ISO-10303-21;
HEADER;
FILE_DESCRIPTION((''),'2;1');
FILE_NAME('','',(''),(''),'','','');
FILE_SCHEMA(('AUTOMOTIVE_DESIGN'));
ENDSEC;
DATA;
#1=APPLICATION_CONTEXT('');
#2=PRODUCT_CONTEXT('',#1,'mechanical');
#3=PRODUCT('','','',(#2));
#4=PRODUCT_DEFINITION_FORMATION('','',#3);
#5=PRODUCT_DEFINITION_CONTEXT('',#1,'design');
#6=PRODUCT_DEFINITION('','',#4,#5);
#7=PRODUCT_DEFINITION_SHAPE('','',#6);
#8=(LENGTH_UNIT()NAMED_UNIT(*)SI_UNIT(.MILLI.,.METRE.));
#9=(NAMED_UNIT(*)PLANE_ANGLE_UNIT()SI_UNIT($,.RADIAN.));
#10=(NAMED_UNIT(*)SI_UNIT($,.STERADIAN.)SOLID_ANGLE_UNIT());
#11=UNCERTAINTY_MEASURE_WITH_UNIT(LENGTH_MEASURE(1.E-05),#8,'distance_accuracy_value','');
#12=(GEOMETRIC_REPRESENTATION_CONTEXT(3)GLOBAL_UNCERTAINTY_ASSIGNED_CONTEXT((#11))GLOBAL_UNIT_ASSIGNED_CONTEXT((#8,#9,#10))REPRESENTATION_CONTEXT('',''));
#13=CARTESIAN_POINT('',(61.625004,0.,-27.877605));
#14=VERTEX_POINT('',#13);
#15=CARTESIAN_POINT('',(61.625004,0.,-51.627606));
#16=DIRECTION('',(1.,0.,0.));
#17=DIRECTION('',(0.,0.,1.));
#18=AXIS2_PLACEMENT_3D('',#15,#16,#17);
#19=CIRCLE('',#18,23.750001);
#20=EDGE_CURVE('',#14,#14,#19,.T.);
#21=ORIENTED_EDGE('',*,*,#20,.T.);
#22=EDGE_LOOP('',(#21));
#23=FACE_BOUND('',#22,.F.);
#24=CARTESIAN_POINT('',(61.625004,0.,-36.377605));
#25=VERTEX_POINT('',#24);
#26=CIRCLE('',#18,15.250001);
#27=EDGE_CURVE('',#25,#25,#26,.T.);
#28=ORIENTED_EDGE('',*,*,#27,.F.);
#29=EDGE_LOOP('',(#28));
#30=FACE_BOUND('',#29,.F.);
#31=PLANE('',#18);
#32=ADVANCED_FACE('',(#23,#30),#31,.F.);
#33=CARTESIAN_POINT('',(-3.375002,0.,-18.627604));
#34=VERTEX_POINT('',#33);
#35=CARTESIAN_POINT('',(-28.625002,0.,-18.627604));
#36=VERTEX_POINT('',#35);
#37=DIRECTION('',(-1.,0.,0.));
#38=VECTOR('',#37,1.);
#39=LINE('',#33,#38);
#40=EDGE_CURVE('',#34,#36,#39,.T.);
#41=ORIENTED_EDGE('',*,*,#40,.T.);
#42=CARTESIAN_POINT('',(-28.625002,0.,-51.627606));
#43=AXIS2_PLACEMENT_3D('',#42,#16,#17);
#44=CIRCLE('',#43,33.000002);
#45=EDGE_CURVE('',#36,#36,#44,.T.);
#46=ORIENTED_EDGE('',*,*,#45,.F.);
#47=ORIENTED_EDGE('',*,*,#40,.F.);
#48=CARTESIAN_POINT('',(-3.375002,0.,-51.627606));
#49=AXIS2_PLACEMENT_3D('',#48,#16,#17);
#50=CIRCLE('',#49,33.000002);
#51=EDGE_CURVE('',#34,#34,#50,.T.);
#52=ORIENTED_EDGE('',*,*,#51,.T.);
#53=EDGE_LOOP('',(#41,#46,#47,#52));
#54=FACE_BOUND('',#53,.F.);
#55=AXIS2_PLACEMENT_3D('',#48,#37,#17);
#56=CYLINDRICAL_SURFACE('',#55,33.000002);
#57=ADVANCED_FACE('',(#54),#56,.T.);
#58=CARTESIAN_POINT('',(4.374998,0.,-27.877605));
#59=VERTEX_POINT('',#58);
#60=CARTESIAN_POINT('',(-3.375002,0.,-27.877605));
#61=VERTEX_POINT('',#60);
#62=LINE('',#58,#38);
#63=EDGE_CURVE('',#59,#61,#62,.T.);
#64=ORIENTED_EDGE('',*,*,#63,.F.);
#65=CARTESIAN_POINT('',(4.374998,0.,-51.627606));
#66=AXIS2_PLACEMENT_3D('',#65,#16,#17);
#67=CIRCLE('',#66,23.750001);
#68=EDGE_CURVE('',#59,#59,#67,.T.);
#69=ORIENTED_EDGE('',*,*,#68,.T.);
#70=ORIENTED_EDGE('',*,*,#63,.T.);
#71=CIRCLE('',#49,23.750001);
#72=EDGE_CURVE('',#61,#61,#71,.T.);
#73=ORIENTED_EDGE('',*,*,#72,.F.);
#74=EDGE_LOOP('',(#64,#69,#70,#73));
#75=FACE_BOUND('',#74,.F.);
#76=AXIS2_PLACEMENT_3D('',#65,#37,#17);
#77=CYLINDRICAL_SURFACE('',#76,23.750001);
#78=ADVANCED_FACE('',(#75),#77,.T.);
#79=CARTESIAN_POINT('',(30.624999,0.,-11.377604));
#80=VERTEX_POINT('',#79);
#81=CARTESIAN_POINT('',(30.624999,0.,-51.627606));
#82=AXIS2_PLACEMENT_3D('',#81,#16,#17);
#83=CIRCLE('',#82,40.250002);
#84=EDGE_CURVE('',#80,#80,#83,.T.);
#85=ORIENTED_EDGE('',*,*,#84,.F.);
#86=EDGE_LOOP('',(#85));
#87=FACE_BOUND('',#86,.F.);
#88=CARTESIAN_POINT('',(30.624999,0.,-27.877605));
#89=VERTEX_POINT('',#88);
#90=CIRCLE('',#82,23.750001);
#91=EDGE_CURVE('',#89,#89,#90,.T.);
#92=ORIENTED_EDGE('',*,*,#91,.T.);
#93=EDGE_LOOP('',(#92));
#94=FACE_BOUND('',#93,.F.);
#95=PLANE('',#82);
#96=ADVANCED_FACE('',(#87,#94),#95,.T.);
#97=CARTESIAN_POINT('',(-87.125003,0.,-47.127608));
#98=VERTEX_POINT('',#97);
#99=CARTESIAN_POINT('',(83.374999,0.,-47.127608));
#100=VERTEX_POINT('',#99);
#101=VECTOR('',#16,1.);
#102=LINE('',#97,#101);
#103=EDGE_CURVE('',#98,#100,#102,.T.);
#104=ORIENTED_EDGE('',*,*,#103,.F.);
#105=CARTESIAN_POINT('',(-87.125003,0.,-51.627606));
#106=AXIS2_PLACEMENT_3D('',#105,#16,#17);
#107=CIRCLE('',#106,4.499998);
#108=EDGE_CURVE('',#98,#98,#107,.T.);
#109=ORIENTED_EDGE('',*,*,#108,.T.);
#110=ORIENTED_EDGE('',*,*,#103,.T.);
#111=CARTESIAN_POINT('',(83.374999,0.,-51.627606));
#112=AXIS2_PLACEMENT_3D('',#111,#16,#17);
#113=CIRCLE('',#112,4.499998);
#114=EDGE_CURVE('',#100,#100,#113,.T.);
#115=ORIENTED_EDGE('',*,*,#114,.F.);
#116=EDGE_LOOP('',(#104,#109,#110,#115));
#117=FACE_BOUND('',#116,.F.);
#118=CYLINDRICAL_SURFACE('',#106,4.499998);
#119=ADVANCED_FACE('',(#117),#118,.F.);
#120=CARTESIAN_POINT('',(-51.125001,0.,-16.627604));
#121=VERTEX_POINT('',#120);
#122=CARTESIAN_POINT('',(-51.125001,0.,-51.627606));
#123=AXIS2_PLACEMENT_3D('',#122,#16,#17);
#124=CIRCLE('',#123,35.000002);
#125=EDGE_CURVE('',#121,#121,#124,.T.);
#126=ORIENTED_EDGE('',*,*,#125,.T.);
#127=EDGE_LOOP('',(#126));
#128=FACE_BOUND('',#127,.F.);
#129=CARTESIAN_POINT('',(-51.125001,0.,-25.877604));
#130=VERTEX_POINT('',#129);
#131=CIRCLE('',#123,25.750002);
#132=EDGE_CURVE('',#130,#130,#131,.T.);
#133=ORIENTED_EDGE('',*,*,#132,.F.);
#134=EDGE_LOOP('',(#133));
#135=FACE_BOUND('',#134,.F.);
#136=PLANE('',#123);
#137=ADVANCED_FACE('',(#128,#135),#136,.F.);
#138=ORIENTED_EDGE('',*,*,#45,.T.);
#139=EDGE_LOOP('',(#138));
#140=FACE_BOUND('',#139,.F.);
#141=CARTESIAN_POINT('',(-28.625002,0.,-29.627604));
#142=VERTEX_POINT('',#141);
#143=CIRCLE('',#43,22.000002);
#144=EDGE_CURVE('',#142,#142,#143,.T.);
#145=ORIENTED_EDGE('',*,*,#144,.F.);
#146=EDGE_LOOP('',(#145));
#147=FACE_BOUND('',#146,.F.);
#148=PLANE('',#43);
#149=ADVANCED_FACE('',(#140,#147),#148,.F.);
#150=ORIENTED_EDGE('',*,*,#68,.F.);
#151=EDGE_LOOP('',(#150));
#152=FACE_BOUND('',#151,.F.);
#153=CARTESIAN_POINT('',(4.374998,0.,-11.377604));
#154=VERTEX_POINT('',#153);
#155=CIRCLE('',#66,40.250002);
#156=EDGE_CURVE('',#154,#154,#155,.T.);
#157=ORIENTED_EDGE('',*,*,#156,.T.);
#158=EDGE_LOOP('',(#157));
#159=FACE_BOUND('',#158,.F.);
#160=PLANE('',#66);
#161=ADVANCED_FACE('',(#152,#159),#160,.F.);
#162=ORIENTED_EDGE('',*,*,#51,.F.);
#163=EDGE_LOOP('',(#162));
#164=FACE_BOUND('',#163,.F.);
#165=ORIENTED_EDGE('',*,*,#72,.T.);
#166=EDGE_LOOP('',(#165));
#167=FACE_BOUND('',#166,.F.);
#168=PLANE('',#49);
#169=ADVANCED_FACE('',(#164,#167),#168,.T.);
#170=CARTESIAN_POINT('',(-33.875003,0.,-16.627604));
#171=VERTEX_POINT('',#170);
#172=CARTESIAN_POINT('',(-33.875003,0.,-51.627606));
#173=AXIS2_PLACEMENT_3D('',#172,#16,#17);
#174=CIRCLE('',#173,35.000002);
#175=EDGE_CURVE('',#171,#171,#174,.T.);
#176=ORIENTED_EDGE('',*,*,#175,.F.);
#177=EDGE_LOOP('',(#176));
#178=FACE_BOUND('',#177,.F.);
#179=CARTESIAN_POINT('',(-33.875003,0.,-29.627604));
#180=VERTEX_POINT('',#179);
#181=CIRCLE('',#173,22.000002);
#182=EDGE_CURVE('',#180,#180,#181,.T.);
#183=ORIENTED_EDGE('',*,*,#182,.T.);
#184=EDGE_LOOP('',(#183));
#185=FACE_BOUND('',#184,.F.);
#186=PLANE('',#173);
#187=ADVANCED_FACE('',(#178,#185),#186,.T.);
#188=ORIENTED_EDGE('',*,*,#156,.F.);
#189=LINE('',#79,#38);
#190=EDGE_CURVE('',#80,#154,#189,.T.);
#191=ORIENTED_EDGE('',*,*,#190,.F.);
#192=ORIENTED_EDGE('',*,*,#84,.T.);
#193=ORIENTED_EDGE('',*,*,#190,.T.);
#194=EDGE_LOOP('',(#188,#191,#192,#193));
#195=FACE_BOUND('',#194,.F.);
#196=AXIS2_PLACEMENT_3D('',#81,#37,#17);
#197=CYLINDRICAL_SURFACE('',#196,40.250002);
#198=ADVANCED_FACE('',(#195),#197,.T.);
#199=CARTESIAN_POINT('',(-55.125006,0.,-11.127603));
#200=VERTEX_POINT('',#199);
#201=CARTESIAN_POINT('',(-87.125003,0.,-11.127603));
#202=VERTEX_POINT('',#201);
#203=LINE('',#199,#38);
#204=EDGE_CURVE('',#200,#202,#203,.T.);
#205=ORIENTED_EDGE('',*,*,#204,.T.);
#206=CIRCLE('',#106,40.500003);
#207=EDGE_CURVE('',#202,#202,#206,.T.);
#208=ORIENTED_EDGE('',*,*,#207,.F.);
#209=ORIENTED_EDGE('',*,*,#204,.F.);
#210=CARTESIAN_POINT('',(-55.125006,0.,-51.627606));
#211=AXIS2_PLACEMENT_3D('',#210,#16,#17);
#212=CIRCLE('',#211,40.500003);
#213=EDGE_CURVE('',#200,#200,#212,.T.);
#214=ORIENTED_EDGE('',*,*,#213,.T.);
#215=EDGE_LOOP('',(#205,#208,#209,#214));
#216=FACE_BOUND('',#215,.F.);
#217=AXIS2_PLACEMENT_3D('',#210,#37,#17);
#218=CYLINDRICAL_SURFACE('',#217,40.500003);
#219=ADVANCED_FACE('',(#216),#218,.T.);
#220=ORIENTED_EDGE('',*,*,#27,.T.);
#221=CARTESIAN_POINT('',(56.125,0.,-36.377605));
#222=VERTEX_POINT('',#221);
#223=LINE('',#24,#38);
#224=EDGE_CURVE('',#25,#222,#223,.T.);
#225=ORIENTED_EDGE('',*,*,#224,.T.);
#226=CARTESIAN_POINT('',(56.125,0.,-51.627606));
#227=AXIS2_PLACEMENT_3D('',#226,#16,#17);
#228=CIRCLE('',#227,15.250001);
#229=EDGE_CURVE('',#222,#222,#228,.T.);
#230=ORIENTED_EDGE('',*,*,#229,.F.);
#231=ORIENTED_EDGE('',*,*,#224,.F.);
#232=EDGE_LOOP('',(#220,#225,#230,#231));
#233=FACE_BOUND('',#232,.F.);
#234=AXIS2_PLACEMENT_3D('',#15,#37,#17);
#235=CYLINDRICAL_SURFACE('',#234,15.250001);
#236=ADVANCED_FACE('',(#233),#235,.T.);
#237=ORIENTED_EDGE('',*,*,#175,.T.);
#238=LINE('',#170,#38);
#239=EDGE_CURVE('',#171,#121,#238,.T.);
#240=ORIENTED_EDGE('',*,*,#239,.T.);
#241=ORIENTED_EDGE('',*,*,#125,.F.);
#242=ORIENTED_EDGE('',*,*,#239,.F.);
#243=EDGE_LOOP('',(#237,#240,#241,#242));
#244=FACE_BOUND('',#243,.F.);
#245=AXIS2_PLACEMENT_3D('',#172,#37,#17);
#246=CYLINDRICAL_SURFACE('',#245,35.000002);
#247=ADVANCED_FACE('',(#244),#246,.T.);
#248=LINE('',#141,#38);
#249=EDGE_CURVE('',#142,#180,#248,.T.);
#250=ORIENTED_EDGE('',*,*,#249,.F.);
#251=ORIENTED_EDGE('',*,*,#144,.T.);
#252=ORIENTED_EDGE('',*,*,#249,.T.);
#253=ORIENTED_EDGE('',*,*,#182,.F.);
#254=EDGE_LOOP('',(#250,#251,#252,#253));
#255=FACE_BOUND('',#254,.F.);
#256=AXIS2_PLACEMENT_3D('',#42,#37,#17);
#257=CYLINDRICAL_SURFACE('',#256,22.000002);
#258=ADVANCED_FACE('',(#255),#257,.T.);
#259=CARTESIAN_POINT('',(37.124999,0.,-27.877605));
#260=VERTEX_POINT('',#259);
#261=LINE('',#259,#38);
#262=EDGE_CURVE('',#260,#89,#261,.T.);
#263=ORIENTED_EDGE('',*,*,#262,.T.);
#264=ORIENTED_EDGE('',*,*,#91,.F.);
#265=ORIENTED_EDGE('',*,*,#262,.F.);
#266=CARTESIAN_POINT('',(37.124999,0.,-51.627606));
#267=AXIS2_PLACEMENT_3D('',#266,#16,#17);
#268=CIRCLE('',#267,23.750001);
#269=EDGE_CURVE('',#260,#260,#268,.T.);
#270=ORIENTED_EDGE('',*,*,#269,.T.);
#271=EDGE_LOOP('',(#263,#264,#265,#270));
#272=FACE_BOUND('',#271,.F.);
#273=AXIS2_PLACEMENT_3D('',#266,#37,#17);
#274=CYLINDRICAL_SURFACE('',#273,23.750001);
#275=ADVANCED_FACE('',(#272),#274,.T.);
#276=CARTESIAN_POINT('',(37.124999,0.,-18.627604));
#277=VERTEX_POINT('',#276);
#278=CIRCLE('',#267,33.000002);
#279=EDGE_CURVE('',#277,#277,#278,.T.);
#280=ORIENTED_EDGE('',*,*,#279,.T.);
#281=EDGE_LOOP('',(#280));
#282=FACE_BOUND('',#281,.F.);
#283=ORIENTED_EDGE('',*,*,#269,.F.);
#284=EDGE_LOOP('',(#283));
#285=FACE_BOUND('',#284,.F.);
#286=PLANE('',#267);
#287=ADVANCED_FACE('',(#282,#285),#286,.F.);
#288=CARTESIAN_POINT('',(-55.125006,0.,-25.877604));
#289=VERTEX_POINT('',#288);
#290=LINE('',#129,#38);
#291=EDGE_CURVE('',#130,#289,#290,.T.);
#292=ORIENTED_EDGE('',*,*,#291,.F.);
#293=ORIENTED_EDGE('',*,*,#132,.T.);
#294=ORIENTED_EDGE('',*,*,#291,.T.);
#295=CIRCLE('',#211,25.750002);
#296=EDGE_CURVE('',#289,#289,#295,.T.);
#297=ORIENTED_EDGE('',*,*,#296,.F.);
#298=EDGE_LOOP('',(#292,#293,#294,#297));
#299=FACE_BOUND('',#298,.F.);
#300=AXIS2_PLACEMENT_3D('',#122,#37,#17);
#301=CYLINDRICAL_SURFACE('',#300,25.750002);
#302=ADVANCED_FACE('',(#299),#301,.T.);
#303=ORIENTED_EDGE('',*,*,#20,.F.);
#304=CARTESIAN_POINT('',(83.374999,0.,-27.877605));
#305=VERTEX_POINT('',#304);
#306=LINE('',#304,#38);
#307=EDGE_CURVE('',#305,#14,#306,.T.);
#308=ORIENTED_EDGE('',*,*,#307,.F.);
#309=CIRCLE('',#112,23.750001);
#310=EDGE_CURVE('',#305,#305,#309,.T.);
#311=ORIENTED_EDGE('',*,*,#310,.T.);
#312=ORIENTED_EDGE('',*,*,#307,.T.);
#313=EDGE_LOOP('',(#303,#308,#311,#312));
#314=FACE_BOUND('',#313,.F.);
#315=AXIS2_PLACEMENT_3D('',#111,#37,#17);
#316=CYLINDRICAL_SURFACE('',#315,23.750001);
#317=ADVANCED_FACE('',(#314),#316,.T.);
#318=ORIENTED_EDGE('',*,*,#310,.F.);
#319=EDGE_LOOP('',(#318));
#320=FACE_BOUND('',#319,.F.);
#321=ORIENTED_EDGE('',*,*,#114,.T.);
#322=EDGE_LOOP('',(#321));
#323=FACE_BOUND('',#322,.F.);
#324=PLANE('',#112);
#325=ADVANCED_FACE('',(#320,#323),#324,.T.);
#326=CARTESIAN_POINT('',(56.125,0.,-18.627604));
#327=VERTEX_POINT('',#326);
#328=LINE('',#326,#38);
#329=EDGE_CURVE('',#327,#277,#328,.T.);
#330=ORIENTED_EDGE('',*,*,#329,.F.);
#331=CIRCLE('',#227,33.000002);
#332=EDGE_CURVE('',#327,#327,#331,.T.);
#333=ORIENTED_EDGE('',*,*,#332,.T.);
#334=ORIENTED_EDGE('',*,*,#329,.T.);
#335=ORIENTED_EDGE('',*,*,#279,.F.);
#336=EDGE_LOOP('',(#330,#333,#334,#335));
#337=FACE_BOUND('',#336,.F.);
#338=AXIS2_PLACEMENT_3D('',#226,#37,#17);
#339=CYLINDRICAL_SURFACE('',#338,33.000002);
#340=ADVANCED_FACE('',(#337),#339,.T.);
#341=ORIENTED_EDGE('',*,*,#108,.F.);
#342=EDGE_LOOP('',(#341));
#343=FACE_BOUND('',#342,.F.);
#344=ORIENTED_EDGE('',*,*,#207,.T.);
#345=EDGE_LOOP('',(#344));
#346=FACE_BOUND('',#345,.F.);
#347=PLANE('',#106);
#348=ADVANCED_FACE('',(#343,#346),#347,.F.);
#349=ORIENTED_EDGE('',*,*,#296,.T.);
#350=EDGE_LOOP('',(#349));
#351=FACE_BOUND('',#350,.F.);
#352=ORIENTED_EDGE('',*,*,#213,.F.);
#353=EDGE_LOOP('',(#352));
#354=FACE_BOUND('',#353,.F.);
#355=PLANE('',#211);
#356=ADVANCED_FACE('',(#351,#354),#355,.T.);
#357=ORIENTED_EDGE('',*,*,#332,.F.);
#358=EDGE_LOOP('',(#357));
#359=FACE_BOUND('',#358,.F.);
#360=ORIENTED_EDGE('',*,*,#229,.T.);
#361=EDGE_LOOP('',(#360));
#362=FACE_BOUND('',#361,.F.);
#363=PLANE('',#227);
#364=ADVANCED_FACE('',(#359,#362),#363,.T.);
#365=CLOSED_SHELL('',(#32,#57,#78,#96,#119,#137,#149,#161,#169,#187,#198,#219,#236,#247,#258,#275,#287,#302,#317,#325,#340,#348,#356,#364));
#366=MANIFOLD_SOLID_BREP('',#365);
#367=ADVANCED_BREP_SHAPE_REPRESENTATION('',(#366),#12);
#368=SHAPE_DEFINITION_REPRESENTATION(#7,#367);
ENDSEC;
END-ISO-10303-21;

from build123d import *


with BuildPart() as f1:
    # F0 (on Front) → F1 (revolve)
    with BuildSketch(Plane.XZ):
        Polygon((-87.125003, -11.127603), (-87.125003, -47.127608), (83.374999, -47.127608), (83.374999, -27.877605), (61.625004, -27.877605), (61.625004, -36.377605), (56.125, -36.377605), (56.125, -18.627604), (37.124999, -18.627604), (37.124999, -27.877605), (30.624999, -27.877605), (30.624999, -11.377604), (4.374998, -11.377604), (4.374998, -27.877605), (-3.375002, -27.877605), (-3.375002, -18.627604), (-28.625002, -18.627604), (-28.625002, -29.627604), (-33.875003, -29.627604), (-33.875003, -16.627604), (-51.125001, -16.627604), (-51.125001, -25.877604), (-55.125006, -25.877604), (-55.125006, -11.127603), align=None)
    revolve(axis=Axis((-2.500001, 0, -51.627606), (1, 0, 0)))


solid = f1.part
